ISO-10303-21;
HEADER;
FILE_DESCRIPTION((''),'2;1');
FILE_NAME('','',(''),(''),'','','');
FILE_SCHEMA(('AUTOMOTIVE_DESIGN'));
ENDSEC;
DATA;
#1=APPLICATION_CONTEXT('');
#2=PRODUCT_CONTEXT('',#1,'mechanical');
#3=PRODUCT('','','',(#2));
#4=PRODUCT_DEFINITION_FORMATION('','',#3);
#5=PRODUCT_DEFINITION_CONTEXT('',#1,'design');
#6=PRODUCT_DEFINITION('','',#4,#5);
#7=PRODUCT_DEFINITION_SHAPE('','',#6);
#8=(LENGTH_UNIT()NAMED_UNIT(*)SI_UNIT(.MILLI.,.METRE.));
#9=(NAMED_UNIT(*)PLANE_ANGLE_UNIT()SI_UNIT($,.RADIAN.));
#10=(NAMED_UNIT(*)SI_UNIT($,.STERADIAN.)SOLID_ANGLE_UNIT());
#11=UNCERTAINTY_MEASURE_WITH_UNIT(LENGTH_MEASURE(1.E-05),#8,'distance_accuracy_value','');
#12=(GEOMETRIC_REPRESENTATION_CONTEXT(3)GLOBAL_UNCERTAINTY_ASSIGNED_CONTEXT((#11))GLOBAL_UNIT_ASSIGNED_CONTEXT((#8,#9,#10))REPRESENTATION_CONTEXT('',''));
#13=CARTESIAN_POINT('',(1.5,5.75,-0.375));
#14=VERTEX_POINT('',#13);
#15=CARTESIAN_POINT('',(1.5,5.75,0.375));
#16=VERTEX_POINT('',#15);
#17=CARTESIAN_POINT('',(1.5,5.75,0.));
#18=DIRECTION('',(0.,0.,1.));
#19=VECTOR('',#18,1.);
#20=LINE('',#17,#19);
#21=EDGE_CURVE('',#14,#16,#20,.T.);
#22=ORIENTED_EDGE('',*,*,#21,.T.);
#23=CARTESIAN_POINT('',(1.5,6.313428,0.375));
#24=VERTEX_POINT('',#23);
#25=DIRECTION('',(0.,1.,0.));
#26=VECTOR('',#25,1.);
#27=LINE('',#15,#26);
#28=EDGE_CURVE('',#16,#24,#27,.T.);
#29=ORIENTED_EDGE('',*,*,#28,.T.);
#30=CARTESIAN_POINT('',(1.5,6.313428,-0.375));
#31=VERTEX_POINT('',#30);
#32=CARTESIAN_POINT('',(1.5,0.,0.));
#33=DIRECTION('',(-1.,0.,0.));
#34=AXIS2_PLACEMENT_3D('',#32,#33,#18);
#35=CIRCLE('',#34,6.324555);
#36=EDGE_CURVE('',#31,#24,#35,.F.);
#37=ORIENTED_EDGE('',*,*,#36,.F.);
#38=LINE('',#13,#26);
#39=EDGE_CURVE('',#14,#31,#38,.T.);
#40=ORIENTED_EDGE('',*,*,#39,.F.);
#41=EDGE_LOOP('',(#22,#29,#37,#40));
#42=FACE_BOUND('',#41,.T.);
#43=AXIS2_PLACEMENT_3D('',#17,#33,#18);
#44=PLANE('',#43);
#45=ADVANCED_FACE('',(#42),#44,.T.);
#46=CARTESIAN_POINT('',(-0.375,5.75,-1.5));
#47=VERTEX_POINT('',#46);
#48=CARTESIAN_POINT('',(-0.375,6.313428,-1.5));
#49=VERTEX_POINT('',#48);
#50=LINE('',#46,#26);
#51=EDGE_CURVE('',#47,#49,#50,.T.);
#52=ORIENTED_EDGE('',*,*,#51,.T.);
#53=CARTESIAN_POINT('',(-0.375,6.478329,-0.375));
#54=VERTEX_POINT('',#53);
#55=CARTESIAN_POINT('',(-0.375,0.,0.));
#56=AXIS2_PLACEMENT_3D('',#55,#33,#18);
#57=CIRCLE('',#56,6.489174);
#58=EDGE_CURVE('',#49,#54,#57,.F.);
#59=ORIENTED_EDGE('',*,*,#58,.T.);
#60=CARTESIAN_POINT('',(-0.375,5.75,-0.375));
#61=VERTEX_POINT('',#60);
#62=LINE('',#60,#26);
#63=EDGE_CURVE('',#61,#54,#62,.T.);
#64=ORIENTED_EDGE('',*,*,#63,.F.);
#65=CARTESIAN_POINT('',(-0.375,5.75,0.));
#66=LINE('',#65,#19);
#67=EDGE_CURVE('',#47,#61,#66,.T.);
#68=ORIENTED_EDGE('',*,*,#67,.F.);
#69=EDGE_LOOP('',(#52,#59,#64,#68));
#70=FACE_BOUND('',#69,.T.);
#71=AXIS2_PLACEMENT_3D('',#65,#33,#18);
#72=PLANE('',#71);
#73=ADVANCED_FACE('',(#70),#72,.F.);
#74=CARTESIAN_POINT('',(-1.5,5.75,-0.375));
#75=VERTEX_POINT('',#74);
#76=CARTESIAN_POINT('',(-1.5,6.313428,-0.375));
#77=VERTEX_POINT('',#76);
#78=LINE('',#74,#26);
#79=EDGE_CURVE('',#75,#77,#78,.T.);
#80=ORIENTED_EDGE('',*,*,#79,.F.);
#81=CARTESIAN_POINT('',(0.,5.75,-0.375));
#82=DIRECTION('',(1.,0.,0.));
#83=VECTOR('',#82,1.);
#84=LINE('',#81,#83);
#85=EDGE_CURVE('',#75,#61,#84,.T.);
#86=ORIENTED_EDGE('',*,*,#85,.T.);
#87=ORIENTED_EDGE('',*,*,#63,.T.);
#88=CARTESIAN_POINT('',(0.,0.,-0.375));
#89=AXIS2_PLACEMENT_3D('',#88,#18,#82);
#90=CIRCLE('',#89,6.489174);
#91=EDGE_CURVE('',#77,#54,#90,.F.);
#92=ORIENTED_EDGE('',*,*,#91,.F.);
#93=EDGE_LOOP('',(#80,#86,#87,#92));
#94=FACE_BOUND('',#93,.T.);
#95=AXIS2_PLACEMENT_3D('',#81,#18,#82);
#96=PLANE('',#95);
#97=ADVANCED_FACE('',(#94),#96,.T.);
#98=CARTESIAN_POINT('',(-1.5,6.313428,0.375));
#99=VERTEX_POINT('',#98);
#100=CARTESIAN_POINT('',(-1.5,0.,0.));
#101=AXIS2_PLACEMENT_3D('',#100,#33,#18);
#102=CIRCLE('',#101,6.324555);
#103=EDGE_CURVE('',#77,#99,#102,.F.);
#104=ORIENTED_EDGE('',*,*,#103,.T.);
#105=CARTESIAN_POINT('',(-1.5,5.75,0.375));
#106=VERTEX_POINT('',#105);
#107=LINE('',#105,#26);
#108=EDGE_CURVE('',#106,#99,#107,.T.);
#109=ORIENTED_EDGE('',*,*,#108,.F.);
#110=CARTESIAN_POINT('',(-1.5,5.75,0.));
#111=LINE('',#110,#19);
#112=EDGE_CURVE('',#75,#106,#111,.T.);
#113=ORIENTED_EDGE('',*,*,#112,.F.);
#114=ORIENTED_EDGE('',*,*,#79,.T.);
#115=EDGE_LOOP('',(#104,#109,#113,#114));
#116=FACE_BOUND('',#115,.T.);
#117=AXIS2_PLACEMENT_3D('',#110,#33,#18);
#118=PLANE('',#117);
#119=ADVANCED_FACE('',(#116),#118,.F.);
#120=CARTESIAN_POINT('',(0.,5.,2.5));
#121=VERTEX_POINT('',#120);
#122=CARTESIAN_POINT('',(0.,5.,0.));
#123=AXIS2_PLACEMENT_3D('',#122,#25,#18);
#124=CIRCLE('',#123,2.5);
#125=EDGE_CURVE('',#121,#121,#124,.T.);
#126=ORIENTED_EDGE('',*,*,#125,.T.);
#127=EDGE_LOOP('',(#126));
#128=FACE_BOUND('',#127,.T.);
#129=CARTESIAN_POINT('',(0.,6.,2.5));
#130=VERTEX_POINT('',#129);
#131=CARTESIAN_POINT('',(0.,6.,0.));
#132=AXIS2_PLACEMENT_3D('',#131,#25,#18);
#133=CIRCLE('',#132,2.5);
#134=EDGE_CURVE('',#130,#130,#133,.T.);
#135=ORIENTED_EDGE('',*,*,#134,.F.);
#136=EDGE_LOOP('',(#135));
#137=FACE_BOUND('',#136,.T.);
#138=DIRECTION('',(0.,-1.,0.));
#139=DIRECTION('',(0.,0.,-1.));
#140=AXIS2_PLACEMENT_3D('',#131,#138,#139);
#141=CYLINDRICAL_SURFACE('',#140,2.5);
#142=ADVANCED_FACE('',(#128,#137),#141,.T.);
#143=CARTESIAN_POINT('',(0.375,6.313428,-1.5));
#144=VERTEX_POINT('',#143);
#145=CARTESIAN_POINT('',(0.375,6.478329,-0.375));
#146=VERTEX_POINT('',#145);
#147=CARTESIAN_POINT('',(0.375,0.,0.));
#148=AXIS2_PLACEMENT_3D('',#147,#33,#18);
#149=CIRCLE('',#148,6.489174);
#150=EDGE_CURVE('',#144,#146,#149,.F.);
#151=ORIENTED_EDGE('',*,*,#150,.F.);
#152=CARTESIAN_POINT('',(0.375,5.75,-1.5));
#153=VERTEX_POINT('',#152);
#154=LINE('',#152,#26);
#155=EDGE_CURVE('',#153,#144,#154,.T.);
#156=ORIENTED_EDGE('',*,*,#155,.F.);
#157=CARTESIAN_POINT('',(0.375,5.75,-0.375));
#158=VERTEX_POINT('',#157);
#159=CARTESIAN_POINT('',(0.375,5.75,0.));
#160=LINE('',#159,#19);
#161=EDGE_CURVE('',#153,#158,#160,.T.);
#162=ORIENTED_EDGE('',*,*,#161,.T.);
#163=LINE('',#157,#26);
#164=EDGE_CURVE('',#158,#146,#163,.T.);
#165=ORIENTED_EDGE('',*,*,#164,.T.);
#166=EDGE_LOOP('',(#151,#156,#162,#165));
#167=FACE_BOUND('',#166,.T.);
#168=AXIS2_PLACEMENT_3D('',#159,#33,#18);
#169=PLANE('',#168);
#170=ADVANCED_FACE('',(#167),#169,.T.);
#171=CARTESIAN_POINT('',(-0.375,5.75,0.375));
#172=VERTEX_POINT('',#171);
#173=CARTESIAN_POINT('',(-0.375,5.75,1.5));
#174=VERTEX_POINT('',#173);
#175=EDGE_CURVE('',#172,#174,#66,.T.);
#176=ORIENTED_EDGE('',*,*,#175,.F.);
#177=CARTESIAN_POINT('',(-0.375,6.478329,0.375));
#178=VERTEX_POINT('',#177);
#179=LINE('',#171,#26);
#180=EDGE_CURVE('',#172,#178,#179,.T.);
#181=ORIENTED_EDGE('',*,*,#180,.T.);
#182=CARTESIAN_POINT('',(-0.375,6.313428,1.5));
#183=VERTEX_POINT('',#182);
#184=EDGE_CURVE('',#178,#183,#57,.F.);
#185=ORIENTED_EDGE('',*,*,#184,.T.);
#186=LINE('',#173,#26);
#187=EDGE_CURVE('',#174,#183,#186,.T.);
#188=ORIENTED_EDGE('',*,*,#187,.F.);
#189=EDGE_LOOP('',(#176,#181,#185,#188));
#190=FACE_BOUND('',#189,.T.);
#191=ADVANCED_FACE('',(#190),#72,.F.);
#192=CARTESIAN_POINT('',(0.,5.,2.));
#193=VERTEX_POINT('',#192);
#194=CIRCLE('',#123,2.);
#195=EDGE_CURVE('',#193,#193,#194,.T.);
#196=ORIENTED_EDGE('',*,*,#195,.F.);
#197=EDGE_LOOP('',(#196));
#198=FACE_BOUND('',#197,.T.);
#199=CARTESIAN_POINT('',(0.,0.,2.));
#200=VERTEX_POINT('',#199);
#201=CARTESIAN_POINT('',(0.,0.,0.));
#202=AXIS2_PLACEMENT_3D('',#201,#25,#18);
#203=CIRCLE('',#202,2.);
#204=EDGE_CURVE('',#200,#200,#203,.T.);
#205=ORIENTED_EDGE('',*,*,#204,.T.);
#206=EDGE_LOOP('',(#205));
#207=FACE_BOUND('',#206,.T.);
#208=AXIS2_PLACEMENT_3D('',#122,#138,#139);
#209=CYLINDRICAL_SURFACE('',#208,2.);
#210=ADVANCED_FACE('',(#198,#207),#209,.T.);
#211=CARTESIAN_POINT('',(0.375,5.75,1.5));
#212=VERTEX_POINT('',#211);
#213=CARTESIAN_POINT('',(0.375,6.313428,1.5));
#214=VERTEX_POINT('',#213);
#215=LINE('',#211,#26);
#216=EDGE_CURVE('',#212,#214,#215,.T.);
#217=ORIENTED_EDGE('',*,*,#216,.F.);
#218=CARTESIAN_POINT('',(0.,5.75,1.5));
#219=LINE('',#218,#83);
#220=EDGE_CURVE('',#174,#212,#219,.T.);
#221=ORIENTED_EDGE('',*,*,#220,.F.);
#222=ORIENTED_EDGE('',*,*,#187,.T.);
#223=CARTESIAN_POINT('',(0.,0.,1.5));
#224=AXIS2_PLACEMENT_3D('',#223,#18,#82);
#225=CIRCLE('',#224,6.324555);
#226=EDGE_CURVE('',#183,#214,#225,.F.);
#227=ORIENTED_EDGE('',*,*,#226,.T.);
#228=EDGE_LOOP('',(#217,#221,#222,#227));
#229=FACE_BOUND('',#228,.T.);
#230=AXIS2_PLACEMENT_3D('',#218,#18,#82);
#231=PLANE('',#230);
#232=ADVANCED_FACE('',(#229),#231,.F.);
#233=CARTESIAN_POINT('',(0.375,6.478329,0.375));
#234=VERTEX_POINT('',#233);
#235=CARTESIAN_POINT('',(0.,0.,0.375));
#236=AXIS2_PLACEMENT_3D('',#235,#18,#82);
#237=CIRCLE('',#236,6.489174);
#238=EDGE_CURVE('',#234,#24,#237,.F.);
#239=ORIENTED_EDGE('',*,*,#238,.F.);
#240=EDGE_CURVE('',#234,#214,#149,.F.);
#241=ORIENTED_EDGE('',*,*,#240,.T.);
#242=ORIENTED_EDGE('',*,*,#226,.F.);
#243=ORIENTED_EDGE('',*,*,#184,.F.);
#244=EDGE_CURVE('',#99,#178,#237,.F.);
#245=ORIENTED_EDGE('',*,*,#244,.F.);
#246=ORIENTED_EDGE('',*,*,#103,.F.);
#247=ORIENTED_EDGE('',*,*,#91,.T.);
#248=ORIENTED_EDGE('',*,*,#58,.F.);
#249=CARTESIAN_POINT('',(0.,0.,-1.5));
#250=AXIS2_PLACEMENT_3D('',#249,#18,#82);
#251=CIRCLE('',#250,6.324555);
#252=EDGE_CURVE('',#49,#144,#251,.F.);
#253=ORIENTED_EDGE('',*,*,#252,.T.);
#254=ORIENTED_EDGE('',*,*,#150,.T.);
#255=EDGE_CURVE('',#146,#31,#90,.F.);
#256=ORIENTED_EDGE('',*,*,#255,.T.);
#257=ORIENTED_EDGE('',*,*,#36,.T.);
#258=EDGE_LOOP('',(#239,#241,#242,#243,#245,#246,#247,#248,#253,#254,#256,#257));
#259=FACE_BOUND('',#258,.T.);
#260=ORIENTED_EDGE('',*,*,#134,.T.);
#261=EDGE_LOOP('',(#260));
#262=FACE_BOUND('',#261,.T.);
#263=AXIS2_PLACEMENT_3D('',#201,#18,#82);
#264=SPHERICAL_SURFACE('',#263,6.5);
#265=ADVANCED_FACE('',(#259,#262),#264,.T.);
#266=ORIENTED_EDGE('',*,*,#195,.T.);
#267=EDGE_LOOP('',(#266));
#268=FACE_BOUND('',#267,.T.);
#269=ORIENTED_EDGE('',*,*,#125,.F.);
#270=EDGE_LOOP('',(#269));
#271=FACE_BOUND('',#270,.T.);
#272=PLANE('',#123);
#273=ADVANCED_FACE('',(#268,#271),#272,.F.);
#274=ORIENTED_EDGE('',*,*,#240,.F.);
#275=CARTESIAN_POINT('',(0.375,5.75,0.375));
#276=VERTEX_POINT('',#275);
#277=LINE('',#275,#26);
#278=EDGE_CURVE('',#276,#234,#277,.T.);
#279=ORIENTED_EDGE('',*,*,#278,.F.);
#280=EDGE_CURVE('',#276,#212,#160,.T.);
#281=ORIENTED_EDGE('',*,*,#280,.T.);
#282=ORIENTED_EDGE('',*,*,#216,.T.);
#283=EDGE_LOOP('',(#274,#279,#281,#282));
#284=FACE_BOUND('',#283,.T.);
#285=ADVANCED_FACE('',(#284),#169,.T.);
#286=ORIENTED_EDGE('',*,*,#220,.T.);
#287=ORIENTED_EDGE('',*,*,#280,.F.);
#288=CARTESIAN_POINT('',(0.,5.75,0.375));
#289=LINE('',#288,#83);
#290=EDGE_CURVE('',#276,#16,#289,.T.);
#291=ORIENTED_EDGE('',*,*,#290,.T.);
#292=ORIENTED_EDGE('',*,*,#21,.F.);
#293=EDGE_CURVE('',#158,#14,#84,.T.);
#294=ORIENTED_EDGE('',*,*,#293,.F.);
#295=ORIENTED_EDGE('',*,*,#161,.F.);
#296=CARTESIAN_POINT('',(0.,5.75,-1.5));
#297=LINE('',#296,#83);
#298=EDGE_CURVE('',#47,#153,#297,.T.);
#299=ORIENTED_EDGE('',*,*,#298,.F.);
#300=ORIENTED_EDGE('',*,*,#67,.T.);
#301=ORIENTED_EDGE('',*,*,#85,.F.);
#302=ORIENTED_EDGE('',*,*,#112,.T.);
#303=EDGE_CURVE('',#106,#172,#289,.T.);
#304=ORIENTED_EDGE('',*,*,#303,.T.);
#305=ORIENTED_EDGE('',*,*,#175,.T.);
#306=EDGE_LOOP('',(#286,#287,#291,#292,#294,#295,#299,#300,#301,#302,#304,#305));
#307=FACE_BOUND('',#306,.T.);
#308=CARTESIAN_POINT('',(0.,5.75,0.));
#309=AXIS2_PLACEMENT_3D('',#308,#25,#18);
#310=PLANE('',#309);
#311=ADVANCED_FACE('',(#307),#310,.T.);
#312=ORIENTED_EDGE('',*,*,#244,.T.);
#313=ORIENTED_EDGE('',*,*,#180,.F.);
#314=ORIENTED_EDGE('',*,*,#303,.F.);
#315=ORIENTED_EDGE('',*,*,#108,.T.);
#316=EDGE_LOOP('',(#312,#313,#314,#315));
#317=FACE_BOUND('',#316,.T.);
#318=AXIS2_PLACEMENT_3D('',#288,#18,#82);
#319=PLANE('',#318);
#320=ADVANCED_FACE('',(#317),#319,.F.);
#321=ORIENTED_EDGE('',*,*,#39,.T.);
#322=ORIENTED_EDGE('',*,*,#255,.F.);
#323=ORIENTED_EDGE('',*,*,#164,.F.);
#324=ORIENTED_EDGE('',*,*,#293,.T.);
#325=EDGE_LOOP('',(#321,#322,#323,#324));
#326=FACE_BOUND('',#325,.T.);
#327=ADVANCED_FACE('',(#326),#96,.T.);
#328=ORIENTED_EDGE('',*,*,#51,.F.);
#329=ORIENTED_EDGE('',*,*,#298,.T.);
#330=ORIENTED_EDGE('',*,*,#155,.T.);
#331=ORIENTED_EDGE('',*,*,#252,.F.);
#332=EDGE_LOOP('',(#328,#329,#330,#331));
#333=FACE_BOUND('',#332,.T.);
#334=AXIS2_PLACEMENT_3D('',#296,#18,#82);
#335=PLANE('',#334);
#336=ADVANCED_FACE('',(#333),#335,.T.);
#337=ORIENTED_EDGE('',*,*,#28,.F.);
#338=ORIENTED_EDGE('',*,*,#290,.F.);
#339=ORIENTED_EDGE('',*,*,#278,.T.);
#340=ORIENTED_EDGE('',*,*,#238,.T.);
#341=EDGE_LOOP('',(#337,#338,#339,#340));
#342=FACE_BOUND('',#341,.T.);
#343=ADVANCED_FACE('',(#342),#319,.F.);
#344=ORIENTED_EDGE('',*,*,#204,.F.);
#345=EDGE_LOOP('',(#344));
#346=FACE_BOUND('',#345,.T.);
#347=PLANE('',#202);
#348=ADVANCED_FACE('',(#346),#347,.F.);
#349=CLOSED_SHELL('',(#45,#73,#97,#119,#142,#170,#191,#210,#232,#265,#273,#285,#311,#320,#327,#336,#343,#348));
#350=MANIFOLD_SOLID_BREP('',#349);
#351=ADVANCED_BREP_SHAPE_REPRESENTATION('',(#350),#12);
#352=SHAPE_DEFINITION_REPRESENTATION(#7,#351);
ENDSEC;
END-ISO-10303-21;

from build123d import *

# Parameters (mm, degrees)
SKETCH1_R           = 2
BOSS_EXTRUDE1_DEPTH = 5
SKETCH2_R           = 2.5
BOSS_EXTRUDE2_DEPTH = 1
DOME1_FACE_RADIUS   = 2.5
DOME1_HEIGHT        = 0.5
SKETCH3_W           = 1.125
SKETCH3_H           = 0.75
SKETCH3_W_2         = 0.75
SKETCH3_H_2         = 1.125
CUT_EXTRUDE1_DEPTH  = 0.75


with BuildPart() as part:
    # Sketch1 → Boss-Extrude1 (new body)
    with BuildSketch(Plane(origin=(0, 0, 0), x_dir=(1, 0, 0), z_dir=(0, 1, 0))):
        Circle(SKETCH1_R)
    extrude(amount=BOSS_EXTRUDE1_DEPTH)

    # Sketch2 → Boss-Extrude2 (add)
    with BuildSketch(Plane(origin=(0, 5, 0), x_dir=(1, 0, 0), z_dir=(0, 1, 0))):
        Circle(SKETCH2_R)
    extrude(amount=BOSS_EXTRUDE2_DEPTH)

    # Dome1: a dome of height H over a round flat face of radius A is a cap of a sphere of radius (A * A + H * H) / (2 * H)
    dome1_r = (DOME1_FACE_RADIUS * DOME1_FACE_RADIUS + DOME1_HEIGHT * DOME1_HEIGHT) / (2 * DOME1_HEIGHT)
    dome1_base = Plane((0, 6, 0), z_dir=(0, 1, 0))
    with Locations(dome1_base.offset(DOME1_HEIGHT - dome1_r)):
        dome1_ball = Sphere(dome1_r, mode=Mode.PRIVATE)
    add(split(dome1_ball, bisect_by=dome1_base, keep=Keep.TOP, mode=Mode.PRIVATE))

    # Sketch3 → Cut-Extrude1 (cut)
    with BuildSketch(Plane(origin=(0, 6.5, 0), x_dir=(1, 0, 0), z_dir=(0, 1, 0))):
        with Locations((-0.9375, 0)):
            Rectangle(SKETCH3_W, SKETCH3_H)
        Rectangle(SKETCH3_W_2, SKETCH3_H)
        with Locations((0, 0.9375)):
            Rectangle(SKETCH3_W_2, SKETCH3_H_2)
        with Locations((0.9375, 0)):
            Rectangle(SKETCH3_W, SKETCH3_H)
        with Locations((0, -0.9375)):
            Rectangle(SKETCH3_W_2, SKETCH3_H_2)
    extrude(amount=-CUT_EXTRUDE1_DEPTH, mode=Mode.SUBTRACT)


solid = part.part
